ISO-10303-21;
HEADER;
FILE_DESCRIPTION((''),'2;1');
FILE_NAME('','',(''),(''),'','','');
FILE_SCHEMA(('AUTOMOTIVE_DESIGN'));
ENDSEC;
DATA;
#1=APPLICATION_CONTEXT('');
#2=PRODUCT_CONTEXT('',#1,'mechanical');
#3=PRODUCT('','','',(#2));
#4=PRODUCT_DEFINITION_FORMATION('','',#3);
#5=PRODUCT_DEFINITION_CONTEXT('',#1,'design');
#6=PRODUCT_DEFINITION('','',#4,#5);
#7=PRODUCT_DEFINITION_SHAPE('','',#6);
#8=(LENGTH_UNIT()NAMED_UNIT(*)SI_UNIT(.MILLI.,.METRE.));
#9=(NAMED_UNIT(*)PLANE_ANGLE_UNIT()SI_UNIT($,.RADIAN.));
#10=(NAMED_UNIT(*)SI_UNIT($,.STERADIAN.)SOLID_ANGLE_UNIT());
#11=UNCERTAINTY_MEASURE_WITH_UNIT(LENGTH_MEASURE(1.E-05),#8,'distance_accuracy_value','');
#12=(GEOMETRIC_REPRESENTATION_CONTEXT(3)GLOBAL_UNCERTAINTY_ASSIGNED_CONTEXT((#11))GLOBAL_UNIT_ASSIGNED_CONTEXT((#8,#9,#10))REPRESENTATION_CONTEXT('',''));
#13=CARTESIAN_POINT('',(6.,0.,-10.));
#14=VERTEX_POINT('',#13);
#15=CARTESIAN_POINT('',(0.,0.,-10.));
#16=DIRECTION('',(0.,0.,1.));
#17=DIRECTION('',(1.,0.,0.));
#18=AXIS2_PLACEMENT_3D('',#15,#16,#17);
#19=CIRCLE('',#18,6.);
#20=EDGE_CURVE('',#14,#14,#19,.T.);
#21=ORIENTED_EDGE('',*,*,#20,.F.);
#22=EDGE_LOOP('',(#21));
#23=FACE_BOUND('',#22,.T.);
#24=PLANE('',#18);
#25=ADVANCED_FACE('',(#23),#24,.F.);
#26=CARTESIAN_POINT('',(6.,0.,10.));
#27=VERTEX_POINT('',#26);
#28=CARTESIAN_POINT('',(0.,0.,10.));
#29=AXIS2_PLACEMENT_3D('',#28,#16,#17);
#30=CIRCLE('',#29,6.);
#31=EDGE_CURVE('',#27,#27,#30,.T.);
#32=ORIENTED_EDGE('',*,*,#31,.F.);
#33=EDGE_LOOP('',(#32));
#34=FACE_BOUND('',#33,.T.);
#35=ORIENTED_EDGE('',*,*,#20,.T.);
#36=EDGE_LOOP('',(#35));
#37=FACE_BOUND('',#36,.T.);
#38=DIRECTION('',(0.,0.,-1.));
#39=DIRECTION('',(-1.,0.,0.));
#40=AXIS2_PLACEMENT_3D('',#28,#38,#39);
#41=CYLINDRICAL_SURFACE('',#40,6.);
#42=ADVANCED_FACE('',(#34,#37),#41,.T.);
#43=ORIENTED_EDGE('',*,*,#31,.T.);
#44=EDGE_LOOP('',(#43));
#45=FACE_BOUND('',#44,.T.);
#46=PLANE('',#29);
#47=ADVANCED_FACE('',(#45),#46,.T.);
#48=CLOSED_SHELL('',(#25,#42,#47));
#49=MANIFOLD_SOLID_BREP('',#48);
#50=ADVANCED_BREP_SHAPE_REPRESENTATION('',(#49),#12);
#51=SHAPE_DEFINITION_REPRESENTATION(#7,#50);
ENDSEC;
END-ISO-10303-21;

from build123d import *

# Parameters (mm, degrees)
SKETCH2_R           = 6
BOSS_EXTRUDE1_DEPTH = 10


with BuildPart() as part:
    # Sketch2 → Boss-Extrude1 (new body, symmetric)
    with BuildSketch(Plane.XY):
        Circle(SKETCH2_R)
    extrude(amount=BOSS_EXTRUDE1_DEPTH, both=True)


solid = part.part
